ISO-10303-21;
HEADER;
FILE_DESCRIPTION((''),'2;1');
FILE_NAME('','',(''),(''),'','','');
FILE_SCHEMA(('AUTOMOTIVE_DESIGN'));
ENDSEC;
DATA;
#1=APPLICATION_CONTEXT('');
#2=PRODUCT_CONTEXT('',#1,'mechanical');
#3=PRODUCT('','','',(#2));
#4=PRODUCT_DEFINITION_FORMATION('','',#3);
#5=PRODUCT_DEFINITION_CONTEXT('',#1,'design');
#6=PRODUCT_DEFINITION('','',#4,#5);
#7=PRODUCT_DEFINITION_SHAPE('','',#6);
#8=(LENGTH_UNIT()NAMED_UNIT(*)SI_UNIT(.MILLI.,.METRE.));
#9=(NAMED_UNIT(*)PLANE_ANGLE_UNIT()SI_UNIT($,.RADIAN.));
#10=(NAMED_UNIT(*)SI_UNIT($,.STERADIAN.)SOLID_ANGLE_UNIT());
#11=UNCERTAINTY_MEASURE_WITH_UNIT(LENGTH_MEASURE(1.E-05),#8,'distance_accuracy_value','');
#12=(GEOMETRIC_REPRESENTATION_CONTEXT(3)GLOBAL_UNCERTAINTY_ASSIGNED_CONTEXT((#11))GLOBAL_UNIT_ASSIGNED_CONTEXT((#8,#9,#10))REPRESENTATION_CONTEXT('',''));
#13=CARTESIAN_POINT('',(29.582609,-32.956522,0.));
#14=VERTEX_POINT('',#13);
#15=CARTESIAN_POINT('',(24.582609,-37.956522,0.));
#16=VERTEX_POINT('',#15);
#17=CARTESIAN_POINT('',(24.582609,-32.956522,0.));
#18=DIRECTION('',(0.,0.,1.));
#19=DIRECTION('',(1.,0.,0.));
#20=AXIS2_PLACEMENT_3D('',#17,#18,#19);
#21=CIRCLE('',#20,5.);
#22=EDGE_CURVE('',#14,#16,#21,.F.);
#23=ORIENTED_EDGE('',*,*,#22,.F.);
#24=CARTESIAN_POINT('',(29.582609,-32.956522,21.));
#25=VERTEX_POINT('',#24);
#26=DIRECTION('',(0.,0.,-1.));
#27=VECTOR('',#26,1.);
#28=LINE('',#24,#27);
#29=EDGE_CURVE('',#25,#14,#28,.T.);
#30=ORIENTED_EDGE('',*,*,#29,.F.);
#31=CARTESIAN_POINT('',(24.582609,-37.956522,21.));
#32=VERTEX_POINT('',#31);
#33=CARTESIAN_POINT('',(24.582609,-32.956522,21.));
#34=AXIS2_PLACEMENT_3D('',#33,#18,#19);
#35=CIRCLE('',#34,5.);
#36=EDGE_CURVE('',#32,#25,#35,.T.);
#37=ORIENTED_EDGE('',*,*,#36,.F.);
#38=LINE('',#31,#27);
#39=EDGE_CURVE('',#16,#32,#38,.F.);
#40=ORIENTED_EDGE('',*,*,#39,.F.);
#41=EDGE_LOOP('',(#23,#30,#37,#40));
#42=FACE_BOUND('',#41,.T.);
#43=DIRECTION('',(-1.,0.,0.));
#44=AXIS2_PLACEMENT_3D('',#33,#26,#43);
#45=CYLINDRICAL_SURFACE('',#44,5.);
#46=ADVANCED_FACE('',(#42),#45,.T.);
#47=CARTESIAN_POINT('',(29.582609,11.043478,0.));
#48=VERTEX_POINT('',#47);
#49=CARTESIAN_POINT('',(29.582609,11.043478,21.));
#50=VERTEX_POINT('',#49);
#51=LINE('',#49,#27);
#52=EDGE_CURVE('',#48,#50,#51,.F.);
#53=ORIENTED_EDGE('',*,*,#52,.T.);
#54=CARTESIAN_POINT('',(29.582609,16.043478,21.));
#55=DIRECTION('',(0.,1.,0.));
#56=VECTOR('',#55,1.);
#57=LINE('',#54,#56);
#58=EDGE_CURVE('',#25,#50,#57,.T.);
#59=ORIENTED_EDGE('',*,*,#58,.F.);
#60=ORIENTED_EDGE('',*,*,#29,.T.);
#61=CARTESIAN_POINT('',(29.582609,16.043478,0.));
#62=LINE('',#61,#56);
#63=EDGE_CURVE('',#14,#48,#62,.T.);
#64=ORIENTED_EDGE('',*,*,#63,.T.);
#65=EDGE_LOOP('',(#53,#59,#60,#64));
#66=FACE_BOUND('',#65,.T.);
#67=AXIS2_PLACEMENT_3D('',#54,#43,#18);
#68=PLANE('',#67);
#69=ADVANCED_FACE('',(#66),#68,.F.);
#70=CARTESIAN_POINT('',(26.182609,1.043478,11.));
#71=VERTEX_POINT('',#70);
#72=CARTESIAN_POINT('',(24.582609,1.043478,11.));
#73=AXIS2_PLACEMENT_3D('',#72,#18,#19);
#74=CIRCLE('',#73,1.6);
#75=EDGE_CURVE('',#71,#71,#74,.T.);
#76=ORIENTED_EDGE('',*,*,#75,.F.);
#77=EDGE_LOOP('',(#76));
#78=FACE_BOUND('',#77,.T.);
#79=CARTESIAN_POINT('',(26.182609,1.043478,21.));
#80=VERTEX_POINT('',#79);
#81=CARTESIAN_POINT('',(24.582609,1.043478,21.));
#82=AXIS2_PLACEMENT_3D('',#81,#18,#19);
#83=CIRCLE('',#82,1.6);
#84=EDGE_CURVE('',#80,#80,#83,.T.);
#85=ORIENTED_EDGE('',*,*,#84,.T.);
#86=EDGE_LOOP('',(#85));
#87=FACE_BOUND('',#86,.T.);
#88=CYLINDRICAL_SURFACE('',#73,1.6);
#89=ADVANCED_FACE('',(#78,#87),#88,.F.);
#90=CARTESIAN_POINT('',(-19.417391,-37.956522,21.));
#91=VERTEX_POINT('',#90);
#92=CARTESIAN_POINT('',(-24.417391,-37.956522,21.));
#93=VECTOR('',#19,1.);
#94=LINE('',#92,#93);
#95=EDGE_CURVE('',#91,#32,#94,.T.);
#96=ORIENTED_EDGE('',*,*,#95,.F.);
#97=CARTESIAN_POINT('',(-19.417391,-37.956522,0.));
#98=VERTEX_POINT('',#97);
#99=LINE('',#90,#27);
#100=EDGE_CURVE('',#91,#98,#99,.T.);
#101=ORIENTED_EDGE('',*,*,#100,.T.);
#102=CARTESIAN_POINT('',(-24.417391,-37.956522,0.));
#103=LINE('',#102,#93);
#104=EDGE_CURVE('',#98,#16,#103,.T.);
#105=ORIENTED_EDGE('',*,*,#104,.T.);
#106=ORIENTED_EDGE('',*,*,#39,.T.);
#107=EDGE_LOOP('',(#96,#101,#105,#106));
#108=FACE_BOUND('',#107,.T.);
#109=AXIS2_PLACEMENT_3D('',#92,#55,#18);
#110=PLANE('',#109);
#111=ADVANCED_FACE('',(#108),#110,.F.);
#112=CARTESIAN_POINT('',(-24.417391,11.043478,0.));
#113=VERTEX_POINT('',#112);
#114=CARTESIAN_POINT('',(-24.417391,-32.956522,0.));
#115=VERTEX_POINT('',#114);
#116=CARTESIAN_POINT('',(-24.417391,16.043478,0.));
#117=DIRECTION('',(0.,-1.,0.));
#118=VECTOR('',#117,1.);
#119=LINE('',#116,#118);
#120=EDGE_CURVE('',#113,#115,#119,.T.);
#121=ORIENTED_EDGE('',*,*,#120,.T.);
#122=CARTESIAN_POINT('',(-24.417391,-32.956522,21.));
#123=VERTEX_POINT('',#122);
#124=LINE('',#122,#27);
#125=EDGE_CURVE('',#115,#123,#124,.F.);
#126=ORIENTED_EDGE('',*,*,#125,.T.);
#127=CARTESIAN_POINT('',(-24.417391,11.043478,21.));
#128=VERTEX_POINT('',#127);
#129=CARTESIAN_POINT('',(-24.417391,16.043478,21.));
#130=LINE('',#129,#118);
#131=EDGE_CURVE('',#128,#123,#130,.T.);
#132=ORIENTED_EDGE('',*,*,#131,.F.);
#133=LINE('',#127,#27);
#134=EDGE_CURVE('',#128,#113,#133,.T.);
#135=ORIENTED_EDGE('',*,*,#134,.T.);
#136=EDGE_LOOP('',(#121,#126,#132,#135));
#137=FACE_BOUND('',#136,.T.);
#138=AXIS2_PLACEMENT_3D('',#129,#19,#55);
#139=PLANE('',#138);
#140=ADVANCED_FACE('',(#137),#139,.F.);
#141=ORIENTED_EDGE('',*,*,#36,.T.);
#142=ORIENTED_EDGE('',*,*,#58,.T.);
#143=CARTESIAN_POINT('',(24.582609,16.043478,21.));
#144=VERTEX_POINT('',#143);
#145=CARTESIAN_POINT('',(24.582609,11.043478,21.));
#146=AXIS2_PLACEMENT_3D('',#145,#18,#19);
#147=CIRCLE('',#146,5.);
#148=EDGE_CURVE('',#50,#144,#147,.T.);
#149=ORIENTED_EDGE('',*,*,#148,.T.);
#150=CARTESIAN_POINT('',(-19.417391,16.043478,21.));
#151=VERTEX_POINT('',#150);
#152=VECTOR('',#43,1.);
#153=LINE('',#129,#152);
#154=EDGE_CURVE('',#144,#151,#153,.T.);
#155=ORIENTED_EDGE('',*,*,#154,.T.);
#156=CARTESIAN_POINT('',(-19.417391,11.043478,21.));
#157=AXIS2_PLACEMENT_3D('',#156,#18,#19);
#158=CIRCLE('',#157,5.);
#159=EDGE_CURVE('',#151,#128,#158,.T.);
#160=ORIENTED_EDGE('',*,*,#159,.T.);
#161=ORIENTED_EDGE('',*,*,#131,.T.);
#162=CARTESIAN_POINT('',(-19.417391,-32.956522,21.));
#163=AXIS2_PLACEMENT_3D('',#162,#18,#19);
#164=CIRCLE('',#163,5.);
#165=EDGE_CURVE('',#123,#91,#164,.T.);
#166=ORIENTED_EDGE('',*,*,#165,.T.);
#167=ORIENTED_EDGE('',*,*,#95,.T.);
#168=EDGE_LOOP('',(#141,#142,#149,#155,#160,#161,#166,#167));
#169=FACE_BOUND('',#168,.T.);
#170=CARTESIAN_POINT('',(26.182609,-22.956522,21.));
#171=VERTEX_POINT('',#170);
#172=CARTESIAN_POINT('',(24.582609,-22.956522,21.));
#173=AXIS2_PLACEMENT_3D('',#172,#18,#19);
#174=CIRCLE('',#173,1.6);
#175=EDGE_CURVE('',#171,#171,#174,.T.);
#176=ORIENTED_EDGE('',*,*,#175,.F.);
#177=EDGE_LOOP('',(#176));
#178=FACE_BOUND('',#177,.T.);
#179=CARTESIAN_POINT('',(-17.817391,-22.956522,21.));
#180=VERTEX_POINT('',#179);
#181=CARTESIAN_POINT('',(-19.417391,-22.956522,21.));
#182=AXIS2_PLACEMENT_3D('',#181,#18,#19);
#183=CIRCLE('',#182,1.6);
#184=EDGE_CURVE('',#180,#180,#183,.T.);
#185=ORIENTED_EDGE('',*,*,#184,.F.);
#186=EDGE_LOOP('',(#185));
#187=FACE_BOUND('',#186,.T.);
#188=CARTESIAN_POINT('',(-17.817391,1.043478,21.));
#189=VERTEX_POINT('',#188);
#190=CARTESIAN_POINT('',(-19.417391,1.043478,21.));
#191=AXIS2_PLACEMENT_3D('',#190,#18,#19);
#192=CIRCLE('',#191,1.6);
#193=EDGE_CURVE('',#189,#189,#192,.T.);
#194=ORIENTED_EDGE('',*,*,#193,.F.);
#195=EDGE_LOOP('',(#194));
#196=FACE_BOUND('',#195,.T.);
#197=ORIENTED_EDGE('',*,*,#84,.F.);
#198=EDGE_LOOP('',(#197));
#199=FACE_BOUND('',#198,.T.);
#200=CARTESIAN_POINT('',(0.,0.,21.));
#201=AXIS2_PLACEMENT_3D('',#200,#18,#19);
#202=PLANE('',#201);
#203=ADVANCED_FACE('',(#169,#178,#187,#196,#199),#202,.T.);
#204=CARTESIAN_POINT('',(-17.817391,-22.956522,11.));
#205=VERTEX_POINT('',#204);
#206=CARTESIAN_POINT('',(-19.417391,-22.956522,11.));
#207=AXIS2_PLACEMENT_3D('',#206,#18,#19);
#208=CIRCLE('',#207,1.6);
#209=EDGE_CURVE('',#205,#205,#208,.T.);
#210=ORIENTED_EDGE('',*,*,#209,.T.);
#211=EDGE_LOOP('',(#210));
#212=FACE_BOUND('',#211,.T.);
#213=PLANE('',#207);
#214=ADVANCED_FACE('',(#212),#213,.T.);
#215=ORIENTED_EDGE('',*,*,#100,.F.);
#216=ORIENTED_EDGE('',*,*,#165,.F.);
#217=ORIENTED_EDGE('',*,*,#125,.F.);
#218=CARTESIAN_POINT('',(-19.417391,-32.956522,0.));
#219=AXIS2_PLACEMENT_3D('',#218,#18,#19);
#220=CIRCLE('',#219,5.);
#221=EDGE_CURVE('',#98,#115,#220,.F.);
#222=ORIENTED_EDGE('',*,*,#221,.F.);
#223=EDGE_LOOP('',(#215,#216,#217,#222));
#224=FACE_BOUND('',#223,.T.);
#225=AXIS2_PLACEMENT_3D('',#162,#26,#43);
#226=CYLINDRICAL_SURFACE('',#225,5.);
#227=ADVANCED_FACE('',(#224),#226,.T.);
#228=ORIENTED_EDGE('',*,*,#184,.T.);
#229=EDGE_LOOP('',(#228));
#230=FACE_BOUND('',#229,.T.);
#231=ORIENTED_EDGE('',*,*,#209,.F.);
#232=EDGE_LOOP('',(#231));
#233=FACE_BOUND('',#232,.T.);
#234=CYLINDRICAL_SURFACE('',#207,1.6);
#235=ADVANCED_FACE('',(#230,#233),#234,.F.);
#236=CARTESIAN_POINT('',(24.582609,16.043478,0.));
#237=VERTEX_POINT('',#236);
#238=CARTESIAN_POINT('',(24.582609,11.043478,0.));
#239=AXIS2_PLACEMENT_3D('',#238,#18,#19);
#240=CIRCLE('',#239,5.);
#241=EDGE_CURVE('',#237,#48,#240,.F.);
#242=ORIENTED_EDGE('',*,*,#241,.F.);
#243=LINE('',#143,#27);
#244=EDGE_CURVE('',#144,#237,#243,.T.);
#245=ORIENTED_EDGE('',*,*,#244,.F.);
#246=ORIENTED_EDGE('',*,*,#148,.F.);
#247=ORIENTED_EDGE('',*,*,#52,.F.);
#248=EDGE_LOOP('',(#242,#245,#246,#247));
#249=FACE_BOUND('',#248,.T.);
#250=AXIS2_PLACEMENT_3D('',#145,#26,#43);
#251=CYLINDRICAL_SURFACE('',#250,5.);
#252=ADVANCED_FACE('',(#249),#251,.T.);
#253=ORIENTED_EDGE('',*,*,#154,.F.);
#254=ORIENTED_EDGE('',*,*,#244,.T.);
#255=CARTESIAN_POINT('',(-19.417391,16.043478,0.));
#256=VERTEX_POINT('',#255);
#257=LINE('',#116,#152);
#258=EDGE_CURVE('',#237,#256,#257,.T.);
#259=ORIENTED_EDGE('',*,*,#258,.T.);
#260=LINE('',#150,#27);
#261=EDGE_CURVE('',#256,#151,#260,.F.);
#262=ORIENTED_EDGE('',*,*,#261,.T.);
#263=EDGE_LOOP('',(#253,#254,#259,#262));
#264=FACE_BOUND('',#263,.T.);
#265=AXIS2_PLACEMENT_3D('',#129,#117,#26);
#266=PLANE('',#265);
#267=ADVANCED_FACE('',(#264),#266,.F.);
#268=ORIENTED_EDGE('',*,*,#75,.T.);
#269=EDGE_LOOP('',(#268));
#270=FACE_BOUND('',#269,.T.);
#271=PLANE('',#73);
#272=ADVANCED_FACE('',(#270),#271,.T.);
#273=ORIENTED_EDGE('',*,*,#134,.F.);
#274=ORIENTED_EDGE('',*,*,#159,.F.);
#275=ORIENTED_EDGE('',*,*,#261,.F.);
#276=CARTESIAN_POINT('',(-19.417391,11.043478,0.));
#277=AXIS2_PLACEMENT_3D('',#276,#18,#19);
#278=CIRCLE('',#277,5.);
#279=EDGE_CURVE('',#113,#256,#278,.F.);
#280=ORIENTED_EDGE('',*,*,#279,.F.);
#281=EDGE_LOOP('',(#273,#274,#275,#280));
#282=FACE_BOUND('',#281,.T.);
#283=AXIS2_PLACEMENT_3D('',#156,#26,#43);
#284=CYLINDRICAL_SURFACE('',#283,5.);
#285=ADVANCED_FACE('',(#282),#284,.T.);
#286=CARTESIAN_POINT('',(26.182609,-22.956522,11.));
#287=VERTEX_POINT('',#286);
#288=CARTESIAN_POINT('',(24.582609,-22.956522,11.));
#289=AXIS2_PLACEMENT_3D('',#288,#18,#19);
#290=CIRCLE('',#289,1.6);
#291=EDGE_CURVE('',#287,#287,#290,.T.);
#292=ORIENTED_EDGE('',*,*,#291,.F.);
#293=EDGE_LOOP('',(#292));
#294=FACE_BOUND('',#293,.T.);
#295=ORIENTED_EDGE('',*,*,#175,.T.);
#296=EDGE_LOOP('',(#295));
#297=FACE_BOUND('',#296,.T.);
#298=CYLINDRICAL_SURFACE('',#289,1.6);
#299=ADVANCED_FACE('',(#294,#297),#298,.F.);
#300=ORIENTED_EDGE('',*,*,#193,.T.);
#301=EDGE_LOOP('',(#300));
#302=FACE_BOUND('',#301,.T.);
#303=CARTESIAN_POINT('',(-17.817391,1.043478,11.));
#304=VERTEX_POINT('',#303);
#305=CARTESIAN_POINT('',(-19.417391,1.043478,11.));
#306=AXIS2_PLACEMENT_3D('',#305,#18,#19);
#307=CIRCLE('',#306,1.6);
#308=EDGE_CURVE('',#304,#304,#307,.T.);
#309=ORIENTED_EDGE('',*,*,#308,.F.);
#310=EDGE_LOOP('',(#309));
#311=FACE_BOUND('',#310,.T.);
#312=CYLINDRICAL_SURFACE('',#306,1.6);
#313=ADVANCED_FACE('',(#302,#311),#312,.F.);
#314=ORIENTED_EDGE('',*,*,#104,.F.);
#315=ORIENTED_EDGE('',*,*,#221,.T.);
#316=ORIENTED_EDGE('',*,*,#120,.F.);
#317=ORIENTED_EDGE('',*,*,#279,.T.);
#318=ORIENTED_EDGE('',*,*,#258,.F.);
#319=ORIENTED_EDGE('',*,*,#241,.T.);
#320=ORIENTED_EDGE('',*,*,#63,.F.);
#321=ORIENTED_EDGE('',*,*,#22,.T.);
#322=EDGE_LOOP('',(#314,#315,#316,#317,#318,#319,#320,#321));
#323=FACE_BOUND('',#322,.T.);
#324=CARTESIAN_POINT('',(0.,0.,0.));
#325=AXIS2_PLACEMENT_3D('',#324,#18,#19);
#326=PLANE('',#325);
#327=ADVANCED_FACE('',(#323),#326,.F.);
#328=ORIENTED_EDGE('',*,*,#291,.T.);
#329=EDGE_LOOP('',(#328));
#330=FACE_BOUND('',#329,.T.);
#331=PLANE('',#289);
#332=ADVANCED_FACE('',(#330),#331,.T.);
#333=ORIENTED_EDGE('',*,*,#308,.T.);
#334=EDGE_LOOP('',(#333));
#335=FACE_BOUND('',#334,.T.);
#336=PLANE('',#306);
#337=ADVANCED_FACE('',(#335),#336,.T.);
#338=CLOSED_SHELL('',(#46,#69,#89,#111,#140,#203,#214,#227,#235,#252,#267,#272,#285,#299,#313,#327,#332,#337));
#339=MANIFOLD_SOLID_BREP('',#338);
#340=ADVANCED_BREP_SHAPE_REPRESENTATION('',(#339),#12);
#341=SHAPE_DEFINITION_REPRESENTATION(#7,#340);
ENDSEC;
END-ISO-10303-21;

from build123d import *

# Parameters (mm, degrees)
SKETCH_1_W          = 54
SKETCH_1_H          = 54
EXTRUDE_1_DEPTH     = 21
FILLET_1_R          = 5
SKETCH_2_R          = 1.6
CUT_EXTRUDE_1_DEPTH = 10


with BuildPart() as part:
    # 草图1 → 凸台-拉伸1 (new body)
    with BuildSketch(Plane.XY):
        with Locations((2.582608696, -10.956521739)):
            Rectangle(SKETCH_1_W, SKETCH_1_H)
    extrude(amount=EXTRUDE_1_DEPTH)

    # 圆角1
    fillet_1_edges = [part.edges().sort_by_distance(p)[0] for p in [
        (-24.417391304, 16.043478261, 10.5),
        (29.582608696, 16.043478261, 10.5),
        (29.582608696, -37.956521739, 10.5),
        (-24.417391304, -37.956521739, 10.5),
    ]]
    fillet(fillet_1_edges, radius=FILLET_1_R)

    # 草图2 → 切除-拉伸1 (cut)
    with BuildSketch(Plane.XY.offset(21)):
        with Locations((24.582608696, -22.956521739)):
            Circle(SKETCH_2_R)
        with Locations((-19.417391304, -22.956521739)):
            Circle(SKETCH_2_R)
        with Locations((-19.417391304, 1.043478261)):
            Circle(SKETCH_2_R)
        with Locations((24.582608696, 1.043478261)):
            Circle(SKETCH_2_R)
    extrude(amount=-CUT_EXTRUDE_1_DEPTH, mode=Mode.SUBTRACT)


solid = part.part
